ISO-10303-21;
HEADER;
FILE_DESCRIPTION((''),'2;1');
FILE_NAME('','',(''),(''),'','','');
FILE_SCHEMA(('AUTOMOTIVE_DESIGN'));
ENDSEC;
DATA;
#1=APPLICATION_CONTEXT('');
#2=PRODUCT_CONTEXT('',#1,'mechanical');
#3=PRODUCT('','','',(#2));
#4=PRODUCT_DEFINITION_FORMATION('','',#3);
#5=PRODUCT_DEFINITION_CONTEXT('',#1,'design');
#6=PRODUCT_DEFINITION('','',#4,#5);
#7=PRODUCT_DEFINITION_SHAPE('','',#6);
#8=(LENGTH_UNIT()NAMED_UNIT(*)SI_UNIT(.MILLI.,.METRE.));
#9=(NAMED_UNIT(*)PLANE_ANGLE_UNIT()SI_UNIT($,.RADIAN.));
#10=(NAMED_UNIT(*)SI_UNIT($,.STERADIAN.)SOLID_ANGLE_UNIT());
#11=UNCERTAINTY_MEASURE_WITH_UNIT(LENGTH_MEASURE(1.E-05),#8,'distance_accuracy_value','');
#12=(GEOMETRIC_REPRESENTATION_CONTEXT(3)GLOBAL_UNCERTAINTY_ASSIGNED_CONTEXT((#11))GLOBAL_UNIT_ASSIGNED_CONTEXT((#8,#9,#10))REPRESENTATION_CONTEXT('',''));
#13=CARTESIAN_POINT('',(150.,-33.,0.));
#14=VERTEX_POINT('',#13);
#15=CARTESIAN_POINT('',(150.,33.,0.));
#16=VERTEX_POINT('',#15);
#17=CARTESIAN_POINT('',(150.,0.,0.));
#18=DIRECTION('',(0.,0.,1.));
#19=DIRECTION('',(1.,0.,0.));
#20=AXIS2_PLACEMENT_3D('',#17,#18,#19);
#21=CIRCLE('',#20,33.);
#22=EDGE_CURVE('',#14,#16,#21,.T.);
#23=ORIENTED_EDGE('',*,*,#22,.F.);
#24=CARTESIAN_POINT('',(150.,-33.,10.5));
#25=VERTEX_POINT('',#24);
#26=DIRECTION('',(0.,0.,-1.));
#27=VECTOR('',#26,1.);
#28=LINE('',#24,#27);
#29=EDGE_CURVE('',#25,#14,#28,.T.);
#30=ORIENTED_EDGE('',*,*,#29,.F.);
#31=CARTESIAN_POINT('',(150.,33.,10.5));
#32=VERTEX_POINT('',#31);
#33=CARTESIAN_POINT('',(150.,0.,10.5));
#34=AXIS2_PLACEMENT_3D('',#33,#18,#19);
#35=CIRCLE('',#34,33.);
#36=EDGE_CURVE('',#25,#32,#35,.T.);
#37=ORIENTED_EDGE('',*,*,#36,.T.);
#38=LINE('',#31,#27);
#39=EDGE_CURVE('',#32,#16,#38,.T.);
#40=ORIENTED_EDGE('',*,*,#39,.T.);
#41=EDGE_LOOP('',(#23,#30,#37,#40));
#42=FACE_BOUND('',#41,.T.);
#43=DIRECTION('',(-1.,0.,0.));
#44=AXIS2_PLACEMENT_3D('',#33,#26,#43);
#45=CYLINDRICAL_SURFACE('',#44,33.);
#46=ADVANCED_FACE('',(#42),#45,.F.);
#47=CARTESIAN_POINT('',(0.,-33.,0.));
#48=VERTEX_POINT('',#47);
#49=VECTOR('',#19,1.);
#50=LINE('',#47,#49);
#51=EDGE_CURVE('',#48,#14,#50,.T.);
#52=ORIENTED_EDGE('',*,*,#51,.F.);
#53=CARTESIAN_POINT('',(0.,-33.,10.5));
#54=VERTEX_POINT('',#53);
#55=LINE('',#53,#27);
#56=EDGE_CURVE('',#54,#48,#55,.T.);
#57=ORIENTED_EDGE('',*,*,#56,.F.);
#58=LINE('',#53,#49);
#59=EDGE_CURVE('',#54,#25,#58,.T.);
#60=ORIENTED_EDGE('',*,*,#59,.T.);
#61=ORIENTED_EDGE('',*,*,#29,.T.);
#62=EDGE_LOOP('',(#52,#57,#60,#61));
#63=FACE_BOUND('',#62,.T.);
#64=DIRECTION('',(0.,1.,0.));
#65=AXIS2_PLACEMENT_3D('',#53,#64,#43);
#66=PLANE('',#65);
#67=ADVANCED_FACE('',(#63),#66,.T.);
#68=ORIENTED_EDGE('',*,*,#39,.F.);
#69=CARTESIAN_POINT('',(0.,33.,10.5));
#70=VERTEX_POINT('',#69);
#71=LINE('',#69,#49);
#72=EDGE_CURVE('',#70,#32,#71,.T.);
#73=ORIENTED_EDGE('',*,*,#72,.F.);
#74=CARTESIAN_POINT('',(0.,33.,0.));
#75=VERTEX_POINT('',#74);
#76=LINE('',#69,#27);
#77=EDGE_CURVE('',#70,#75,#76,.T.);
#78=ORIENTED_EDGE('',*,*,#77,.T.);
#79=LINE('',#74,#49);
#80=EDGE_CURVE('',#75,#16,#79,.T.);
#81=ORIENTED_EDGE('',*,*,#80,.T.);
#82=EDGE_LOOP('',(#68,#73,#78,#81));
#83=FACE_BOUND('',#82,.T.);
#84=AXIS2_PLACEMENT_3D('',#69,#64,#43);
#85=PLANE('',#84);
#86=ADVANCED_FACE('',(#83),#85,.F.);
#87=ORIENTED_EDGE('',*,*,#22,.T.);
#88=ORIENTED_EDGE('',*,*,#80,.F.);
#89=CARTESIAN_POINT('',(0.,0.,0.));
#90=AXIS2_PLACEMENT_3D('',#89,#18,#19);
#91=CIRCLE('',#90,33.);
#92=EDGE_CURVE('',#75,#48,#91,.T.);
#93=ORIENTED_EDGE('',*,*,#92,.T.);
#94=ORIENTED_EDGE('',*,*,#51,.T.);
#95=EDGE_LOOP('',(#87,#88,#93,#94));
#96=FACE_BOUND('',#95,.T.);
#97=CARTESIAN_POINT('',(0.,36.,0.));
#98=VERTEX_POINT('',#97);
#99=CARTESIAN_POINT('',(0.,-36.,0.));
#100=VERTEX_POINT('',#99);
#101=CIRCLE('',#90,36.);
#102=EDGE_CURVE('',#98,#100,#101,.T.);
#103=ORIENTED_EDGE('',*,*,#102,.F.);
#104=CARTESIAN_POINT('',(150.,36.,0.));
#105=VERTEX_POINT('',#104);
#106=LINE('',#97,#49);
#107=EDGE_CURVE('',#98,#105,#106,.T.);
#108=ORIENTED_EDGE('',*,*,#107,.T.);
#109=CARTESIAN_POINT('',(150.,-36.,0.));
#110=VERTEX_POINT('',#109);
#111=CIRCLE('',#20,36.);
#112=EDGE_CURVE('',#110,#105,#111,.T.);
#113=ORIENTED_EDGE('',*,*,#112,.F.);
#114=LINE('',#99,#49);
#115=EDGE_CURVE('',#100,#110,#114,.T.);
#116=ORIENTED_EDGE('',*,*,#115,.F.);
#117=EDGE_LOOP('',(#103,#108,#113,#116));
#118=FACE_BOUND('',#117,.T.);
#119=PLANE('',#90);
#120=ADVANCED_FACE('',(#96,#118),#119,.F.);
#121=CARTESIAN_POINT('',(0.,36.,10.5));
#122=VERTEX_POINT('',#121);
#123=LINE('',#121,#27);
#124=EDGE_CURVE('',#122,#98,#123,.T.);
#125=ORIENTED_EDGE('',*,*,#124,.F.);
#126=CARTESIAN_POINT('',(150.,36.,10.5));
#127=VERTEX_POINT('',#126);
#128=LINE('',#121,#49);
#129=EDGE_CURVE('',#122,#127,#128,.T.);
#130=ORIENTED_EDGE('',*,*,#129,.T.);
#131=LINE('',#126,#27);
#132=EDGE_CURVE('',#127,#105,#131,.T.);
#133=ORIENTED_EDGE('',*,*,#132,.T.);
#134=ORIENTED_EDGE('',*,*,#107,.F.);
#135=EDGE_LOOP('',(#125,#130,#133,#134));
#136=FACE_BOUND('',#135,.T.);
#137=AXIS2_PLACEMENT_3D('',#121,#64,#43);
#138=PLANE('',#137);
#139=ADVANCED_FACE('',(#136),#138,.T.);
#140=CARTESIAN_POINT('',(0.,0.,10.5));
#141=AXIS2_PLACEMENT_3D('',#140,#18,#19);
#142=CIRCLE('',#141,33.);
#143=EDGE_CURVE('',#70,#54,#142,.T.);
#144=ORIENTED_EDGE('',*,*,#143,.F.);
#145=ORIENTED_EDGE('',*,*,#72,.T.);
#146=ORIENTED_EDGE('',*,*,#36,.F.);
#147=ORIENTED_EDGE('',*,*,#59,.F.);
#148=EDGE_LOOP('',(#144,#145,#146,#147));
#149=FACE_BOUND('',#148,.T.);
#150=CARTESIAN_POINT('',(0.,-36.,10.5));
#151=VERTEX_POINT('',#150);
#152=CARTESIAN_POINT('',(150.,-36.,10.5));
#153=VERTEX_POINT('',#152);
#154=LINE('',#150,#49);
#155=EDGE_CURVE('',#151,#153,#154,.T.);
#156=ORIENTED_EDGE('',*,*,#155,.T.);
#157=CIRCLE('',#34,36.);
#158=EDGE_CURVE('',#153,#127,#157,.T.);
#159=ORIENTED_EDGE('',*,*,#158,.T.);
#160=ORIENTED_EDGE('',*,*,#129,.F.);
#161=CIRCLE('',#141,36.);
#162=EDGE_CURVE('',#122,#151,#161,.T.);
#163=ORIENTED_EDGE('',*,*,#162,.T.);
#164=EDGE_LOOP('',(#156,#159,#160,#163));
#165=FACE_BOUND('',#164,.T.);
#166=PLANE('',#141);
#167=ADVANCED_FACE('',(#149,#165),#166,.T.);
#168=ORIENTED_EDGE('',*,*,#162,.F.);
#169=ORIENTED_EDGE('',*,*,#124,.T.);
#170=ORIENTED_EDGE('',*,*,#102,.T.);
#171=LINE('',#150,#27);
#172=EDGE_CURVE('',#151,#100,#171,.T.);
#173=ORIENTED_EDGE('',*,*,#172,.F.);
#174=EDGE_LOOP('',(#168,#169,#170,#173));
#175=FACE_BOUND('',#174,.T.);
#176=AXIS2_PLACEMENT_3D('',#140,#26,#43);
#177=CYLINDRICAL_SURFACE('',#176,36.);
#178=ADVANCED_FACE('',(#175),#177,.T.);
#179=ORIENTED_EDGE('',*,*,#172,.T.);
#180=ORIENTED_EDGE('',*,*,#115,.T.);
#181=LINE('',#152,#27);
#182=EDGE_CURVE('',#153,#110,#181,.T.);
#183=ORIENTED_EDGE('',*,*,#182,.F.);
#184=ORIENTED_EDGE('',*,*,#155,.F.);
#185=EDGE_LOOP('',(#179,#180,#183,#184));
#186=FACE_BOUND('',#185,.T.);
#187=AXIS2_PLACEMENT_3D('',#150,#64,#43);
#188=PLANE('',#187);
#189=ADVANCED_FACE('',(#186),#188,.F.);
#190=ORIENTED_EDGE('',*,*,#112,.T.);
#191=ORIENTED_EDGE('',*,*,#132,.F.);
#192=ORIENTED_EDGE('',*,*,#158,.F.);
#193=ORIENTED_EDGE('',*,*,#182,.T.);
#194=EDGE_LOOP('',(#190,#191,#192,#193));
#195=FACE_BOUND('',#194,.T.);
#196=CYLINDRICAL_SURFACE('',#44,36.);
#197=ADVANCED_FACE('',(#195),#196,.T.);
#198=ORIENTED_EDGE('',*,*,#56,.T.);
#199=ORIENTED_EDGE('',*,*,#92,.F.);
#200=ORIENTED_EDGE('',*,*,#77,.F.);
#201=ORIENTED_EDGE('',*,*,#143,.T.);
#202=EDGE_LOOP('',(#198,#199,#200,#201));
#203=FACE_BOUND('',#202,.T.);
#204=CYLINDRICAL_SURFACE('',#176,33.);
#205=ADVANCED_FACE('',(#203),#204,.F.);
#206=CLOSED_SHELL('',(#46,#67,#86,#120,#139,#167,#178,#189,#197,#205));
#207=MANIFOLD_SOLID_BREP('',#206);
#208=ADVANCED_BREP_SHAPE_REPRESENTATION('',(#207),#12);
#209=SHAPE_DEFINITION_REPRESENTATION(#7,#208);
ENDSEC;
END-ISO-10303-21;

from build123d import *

# Parameters (mm, degrees)
BOSS_EXTRUDE1_DEPTH = 10.5


with BuildPart() as part:
    # Sketch1 → Boss-Extrude1 (new body)
    with BuildSketch(Plane.XY):
        with BuildLine():
            ThreePointArc((150, -36), (186, 0), (150, 36))
            Line((150, 36), (0, 36))
            ThreePointArc((0, 36), (-36, 0), (0, -36))
            Line((0, -36), (150, -36))
        make_face()
        with BuildLine():
            ThreePointArc((0, -33), (-33, 0), (0, 33))
            Line((0, 33), (150, 33))
            ThreePointArc((150, 33), (183, 0), (150, -33))
            Line((150, -33), (0, -33))
        make_face(mode=Mode.SUBTRACT)
    extrude(amount=BOSS_EXTRUDE1_DEPTH)


solid = part.part
